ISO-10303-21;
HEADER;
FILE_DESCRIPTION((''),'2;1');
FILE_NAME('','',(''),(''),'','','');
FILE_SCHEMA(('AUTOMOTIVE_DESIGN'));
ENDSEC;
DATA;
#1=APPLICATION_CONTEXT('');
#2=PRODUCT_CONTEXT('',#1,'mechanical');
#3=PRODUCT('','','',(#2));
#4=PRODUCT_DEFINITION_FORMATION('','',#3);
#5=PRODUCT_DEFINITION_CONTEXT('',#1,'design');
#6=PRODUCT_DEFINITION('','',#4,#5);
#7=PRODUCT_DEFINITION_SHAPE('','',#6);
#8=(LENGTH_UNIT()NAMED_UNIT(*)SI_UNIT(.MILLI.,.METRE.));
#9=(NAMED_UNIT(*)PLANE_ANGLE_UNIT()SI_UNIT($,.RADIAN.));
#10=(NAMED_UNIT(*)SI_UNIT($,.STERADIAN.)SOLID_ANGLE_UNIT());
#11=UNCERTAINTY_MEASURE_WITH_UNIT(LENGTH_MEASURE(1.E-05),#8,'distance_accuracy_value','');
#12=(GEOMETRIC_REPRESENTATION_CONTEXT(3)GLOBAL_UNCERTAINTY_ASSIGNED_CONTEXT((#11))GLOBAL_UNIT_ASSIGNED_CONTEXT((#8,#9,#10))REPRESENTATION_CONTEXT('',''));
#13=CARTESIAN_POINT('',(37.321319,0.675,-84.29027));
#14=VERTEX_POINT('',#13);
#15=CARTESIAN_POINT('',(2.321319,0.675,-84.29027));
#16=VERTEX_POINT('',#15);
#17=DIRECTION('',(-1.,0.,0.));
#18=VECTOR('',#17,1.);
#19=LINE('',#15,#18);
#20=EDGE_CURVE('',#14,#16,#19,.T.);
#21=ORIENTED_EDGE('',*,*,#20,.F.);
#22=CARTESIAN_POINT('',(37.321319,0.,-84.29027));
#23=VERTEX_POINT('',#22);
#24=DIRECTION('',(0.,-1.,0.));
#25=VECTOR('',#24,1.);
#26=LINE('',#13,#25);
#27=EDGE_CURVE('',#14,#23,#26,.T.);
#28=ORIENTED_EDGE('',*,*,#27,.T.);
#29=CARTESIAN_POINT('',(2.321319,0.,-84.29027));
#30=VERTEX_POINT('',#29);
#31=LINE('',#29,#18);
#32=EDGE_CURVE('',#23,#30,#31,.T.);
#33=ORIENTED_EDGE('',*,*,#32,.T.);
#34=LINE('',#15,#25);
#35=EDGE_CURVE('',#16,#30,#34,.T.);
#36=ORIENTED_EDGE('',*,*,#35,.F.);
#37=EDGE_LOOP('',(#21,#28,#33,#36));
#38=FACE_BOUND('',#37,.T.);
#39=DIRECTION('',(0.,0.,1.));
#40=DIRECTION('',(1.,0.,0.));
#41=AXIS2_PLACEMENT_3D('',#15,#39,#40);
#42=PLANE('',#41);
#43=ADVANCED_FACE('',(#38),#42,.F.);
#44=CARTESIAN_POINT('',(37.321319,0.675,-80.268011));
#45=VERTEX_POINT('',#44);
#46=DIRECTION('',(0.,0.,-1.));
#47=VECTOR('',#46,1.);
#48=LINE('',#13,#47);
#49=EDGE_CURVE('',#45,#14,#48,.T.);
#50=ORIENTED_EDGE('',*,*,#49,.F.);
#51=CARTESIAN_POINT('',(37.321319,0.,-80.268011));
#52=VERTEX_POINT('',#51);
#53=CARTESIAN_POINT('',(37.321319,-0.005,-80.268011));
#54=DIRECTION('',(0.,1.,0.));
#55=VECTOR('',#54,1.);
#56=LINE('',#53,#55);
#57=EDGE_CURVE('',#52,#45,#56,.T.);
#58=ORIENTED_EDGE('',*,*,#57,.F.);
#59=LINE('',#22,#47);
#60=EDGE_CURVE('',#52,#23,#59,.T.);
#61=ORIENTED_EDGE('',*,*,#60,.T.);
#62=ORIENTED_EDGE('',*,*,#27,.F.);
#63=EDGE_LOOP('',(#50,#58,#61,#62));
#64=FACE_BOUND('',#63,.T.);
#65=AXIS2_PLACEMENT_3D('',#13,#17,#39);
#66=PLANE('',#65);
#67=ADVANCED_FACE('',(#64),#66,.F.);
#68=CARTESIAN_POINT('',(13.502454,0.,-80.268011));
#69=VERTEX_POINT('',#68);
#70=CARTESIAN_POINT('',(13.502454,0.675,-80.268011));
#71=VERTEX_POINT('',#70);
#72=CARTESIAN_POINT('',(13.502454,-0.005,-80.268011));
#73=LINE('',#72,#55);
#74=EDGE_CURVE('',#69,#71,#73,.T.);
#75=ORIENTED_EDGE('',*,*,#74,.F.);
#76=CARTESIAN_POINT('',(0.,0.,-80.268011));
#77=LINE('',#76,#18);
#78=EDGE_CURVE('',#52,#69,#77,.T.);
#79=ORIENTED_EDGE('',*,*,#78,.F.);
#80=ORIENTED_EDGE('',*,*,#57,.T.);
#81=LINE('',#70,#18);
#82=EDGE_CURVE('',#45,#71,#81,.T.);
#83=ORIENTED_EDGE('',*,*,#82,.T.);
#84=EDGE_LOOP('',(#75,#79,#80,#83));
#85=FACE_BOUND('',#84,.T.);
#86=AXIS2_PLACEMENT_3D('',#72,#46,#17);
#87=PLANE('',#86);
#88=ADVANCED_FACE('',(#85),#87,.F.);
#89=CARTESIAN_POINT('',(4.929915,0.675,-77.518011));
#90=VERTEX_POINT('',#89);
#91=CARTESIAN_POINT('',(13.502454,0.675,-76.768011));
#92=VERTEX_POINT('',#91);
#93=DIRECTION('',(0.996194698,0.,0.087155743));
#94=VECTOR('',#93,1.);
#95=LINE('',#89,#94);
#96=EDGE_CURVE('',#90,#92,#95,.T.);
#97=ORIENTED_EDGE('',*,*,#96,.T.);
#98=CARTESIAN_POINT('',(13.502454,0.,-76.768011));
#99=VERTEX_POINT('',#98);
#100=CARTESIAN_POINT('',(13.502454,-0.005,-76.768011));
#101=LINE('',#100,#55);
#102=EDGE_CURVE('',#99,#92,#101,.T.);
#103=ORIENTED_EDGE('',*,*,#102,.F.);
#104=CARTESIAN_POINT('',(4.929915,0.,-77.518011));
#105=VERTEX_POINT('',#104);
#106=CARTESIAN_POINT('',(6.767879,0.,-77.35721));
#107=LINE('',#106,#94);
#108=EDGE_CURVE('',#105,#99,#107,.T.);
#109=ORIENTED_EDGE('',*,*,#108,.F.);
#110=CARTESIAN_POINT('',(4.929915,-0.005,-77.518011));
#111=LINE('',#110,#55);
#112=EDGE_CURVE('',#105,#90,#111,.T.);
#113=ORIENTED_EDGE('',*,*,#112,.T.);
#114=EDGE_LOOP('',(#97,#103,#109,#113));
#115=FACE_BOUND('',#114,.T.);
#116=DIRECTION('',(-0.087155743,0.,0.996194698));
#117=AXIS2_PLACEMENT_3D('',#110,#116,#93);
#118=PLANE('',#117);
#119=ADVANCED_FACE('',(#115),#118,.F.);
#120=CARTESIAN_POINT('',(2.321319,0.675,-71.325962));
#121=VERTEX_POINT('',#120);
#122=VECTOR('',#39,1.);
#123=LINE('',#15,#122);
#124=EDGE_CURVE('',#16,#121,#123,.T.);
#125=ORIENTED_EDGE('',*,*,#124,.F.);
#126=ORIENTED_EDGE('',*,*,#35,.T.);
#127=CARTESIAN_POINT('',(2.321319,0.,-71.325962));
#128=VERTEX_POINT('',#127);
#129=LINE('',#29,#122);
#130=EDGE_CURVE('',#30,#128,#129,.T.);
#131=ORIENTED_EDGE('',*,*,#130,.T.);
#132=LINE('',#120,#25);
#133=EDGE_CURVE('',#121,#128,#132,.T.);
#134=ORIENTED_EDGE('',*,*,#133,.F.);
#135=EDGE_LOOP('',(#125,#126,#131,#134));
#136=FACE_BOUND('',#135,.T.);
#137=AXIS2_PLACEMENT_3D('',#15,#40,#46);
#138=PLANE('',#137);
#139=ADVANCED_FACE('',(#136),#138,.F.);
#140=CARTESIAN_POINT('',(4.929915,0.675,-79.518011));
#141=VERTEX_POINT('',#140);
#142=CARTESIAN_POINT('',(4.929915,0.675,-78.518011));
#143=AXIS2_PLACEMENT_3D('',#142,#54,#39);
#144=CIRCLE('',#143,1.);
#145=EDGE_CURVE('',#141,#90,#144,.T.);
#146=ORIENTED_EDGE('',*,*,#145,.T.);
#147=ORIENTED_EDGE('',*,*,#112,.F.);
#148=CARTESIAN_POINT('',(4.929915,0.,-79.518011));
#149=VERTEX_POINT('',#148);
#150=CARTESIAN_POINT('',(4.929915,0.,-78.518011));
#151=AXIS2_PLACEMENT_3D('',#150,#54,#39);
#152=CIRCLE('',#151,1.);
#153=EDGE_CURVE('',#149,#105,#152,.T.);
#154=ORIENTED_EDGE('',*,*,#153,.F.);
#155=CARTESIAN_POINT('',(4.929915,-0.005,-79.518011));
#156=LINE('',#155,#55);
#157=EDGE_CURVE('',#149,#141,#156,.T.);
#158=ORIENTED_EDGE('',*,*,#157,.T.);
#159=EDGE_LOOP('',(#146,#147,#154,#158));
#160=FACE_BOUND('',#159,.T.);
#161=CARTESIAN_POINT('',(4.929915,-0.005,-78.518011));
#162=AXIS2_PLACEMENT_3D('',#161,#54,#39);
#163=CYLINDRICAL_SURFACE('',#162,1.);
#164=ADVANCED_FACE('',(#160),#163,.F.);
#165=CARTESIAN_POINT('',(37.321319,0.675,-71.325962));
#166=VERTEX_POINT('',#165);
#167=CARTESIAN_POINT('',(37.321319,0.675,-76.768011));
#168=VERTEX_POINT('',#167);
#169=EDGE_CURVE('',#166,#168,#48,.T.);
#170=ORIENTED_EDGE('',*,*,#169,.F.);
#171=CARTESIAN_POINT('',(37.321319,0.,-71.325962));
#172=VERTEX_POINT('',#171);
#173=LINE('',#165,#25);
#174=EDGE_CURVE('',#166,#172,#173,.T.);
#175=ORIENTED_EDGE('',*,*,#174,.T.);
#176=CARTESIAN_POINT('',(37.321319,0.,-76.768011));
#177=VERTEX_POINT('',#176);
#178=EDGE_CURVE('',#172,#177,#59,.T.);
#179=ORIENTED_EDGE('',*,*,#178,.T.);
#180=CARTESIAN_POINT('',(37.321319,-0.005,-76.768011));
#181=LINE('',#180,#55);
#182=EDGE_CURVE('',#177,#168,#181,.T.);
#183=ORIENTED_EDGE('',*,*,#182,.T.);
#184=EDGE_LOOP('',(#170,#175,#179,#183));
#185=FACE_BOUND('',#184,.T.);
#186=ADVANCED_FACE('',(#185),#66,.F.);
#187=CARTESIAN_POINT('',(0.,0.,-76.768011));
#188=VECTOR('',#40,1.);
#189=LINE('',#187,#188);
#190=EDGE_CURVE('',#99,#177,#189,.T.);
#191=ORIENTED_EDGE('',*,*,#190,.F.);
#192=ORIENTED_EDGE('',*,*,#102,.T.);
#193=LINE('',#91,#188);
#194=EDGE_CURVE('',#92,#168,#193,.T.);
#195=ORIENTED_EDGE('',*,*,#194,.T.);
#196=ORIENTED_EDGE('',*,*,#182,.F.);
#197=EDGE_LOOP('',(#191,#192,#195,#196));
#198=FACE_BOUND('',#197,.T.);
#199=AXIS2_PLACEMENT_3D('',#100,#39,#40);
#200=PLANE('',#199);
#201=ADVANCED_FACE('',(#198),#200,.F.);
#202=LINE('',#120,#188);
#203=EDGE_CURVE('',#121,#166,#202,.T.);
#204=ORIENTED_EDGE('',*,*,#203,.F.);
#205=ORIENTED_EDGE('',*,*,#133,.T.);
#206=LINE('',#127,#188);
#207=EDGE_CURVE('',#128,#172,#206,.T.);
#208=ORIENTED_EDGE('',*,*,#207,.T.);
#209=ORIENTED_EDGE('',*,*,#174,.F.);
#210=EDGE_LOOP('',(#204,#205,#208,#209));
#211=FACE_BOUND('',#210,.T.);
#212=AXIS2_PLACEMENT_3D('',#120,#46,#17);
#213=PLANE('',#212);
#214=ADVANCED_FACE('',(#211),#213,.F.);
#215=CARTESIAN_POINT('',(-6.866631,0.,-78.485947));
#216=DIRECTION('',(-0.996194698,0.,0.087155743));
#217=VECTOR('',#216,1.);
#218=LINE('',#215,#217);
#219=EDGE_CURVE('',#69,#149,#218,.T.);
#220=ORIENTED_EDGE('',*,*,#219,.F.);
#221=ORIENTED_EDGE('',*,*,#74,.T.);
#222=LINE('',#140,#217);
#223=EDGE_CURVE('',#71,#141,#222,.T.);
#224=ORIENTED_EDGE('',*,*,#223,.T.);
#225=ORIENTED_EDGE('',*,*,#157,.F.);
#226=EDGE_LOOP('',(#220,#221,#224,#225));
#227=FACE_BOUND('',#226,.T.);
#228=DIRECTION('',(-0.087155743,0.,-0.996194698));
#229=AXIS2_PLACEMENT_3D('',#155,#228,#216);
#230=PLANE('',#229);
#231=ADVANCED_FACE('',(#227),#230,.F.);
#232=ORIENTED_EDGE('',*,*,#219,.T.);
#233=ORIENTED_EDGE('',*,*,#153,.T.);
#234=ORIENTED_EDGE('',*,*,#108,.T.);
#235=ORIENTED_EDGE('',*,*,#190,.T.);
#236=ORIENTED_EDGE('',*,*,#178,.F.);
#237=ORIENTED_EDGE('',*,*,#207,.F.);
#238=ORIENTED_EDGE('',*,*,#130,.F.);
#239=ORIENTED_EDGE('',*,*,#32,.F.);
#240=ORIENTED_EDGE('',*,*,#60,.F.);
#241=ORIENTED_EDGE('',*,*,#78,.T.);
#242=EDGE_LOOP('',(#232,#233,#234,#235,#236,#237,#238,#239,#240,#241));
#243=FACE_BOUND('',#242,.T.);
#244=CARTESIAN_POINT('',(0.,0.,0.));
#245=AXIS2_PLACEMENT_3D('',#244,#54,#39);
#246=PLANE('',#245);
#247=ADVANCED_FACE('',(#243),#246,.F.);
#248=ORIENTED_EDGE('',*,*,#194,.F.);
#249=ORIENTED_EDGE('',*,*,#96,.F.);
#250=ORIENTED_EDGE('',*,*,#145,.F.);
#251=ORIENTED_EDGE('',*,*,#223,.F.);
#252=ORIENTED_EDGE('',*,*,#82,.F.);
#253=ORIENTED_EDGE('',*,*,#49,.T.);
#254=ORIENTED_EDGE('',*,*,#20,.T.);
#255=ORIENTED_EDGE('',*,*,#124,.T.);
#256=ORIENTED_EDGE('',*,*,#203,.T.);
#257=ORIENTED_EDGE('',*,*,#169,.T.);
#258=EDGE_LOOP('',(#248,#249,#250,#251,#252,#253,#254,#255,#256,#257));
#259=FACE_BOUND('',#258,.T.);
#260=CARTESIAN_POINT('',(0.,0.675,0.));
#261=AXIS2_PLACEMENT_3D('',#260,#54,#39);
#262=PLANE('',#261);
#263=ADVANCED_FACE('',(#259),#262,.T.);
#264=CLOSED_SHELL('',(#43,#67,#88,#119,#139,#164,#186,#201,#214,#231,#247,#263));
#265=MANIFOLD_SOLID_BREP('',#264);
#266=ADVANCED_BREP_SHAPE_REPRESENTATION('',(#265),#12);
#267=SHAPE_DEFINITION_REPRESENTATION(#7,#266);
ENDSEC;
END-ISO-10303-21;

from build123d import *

# Parameters (mm, degrees)
SKETCH1_W           = 35
SKETCH1_H           = 12.964307825
BOSS_EXTRUDE1_DEPTH = 0.675
CUT_EXTRUDE1_DEPTH  = 0.68


with BuildPart() as part:
    # Sketch1 → Boss-Extrude1 (new body)
    with BuildSketch(Plane(origin=(0, 0, 0), x_dir=(1, 0, 0), z_dir=(0, 1, 0))):
        with Locations((19.821319384, 77.80811632)):
            Rectangle(SKETCH1_W, SKETCH1_H)
    extrude(amount=BOSS_EXTRUDE1_DEPTH)

    # Sketch2 → Cut-Extrude1 (cut)
    with BuildSketch(Plane(origin=(0, 0.675, 0), x_dir=(1, 0, 0), z_dir=(0, 1, 0))):
        with BuildLine():
            Line((13.502454123, 76.768011208), (37.321319384, 76.768011208))
            Line((37.321319384, 76.768011208), (37.321319384, 78.518011208))
            Line((37.321319384, 78.518011208), (37.321319384, 80.268011208))
            Line((37.321319384, 80.268011208), (13.502454123, 80.268011208))
            Line((13.502454123, 80.268011208), (4.929914896, 79.518011208))
            ThreePointArc((4.929914896, 79.518011208), (3.929914896, 78.518011208), (4.929914896, 77.518011208))
            Line((4.929914896, 77.518011208), (13.502454123, 76.768011208))
        make_face()
    extrude(amount=-CUT_EXTRUDE1_DEPTH, mode=Mode.SUBTRACT)


solid = part.part
